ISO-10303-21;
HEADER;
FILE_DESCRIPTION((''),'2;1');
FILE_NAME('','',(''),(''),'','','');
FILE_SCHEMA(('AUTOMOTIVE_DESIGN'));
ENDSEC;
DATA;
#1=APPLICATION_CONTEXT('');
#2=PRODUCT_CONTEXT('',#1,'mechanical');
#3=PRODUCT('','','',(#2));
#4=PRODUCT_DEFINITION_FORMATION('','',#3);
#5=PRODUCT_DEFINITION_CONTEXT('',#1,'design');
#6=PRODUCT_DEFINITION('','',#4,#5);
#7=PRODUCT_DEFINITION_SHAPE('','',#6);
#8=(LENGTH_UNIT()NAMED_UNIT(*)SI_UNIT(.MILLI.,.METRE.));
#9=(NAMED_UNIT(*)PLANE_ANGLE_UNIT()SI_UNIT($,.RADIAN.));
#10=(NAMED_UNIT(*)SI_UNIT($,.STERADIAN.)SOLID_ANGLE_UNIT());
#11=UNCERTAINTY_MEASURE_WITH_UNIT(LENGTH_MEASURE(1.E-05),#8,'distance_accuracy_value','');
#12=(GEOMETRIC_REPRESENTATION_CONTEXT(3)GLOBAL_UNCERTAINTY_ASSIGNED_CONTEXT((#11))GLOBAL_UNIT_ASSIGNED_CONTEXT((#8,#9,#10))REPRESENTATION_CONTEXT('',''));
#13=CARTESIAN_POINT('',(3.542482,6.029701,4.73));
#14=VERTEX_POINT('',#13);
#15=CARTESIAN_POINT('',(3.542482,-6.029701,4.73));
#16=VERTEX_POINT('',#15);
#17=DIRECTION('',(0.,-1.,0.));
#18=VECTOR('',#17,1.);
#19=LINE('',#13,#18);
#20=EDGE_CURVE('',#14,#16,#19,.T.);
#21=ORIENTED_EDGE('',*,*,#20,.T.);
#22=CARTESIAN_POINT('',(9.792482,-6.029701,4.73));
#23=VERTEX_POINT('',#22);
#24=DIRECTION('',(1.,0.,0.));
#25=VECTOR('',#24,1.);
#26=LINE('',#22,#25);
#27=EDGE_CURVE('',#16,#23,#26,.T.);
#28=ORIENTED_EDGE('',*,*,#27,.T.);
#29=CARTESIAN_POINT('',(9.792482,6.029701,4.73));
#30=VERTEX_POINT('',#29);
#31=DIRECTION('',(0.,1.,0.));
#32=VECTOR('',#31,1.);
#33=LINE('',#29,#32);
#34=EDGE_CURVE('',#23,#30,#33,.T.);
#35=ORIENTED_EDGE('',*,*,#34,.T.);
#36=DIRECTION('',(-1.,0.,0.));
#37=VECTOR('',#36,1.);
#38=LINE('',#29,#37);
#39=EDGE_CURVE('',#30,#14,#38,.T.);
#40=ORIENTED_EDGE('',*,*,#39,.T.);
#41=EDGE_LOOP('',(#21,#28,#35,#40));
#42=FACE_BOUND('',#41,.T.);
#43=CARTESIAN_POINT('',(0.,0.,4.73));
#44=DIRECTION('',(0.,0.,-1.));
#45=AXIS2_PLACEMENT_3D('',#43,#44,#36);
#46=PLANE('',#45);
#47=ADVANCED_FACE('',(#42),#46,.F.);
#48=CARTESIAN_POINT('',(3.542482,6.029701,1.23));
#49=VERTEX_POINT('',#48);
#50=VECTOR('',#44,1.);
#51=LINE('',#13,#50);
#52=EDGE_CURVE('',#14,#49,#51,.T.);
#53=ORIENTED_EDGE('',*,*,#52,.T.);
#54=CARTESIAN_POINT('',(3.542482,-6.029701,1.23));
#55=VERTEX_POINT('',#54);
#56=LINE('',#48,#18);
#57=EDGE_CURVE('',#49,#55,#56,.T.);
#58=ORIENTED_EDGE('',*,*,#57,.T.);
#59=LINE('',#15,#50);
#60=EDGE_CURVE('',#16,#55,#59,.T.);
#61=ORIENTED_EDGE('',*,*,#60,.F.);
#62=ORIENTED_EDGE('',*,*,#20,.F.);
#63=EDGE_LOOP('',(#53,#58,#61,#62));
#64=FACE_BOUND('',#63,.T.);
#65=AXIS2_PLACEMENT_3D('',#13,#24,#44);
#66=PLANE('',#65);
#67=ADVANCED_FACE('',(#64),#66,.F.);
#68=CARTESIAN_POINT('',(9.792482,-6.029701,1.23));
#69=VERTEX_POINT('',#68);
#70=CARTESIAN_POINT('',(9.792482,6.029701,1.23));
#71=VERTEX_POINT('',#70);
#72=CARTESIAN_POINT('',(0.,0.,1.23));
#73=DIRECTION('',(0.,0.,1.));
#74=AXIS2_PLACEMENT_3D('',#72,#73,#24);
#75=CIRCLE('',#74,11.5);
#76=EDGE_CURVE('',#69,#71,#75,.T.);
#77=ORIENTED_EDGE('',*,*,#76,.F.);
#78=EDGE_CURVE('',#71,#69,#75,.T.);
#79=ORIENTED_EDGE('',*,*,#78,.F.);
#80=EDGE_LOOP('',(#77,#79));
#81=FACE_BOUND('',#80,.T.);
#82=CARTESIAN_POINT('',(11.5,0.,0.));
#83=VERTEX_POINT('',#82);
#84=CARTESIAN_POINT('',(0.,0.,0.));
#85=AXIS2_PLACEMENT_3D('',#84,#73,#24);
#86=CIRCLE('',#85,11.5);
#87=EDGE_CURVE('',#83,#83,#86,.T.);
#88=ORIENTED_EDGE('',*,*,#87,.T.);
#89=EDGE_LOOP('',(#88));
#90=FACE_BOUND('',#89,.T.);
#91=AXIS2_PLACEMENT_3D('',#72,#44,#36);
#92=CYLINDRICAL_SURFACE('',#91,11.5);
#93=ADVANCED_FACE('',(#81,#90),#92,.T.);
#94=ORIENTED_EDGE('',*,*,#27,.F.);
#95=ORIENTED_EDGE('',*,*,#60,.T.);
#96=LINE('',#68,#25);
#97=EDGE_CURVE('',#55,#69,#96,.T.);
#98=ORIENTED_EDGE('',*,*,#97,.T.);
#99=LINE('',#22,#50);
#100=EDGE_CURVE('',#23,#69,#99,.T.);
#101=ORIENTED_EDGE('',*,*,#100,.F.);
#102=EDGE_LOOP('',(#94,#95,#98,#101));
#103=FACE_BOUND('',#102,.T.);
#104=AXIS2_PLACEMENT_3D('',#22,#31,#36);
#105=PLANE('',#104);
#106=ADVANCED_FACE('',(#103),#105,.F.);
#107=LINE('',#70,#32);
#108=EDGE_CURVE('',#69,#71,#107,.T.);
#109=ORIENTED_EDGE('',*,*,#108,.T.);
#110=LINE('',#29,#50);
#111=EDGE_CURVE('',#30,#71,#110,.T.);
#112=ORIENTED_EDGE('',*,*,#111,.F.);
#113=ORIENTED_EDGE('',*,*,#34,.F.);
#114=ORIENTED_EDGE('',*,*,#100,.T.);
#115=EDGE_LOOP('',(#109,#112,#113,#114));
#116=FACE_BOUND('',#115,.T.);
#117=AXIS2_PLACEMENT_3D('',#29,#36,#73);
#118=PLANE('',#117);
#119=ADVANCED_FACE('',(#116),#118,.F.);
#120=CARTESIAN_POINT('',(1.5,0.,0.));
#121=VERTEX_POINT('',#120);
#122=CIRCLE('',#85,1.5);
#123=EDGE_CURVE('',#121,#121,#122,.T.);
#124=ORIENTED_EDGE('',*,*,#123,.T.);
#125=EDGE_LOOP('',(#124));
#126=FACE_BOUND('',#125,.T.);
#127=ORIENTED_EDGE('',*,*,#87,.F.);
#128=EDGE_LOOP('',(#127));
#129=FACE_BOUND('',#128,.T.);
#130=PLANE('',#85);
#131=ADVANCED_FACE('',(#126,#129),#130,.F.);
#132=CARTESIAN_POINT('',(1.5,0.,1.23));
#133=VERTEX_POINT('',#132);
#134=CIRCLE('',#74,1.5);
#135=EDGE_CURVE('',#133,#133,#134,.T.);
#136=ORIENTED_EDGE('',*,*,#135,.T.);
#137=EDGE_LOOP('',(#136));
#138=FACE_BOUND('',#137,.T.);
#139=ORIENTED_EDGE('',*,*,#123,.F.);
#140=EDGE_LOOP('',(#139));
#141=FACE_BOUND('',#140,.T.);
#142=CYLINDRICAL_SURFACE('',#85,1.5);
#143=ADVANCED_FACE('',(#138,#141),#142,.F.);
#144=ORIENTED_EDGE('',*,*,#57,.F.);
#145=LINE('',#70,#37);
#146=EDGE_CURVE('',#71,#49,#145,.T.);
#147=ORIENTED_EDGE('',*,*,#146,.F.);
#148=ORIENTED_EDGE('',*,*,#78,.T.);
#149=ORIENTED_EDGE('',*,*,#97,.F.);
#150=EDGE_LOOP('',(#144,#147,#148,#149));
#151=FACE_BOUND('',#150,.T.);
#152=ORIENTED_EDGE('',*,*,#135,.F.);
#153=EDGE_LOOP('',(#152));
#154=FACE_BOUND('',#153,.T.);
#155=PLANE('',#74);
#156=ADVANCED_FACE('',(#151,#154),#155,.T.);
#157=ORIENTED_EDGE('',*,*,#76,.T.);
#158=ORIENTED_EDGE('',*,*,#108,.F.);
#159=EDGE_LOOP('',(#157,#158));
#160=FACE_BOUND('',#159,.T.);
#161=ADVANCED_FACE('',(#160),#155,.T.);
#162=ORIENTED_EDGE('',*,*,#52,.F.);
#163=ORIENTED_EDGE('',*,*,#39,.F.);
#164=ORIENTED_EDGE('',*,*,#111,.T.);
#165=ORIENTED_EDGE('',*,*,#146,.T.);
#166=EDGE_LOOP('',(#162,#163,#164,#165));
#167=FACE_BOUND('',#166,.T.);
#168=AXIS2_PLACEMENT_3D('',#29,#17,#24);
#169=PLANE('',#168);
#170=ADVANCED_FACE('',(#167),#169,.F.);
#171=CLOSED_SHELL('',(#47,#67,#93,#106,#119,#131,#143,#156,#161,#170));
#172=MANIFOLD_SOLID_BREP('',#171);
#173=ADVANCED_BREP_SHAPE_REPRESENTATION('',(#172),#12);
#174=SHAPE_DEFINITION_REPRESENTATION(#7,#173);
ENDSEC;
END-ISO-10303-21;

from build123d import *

# Parameters (mm, degrees)
SKETCH1_R           = 11.5
BOSS_EXTRUDE1_DEPTH = 1.23
SKETCH2_W           = 6.25
SKETCH2_H           = 12.059402844
BOSS_EXTRUDE2_DEPTH = 3.5
SKETCH3_R           = 1.5
CUT_EXTRUDE1_DEPTH  = 17.63580476


with BuildPart() as part:
    # Sketch1 → Boss-Extrude1 (new body)
    with BuildSketch(Plane.XY):
        Circle(SKETCH1_R)
    extrude(amount=BOSS_EXTRUDE1_DEPTH)

    # Sketch2 → Boss-Extrude2 (add)
    with BuildSketch(Plane.XY.offset(1.23)):
        with Locations((6.667481849, 0)):
            Rectangle(SKETCH2_W, SKETCH2_H)
    extrude(amount=BOSS_EXTRUDE2_DEPTH)

    # Sketch3 → Cut-Extrude1 (cut, through all)
    with BuildSketch(Plane.XY.offset(1.23)):
        Circle(SKETCH3_R)
    extrude(amount=-CUT_EXTRUDE1_DEPTH, mode=Mode.SUBTRACT)


solid = part.part
